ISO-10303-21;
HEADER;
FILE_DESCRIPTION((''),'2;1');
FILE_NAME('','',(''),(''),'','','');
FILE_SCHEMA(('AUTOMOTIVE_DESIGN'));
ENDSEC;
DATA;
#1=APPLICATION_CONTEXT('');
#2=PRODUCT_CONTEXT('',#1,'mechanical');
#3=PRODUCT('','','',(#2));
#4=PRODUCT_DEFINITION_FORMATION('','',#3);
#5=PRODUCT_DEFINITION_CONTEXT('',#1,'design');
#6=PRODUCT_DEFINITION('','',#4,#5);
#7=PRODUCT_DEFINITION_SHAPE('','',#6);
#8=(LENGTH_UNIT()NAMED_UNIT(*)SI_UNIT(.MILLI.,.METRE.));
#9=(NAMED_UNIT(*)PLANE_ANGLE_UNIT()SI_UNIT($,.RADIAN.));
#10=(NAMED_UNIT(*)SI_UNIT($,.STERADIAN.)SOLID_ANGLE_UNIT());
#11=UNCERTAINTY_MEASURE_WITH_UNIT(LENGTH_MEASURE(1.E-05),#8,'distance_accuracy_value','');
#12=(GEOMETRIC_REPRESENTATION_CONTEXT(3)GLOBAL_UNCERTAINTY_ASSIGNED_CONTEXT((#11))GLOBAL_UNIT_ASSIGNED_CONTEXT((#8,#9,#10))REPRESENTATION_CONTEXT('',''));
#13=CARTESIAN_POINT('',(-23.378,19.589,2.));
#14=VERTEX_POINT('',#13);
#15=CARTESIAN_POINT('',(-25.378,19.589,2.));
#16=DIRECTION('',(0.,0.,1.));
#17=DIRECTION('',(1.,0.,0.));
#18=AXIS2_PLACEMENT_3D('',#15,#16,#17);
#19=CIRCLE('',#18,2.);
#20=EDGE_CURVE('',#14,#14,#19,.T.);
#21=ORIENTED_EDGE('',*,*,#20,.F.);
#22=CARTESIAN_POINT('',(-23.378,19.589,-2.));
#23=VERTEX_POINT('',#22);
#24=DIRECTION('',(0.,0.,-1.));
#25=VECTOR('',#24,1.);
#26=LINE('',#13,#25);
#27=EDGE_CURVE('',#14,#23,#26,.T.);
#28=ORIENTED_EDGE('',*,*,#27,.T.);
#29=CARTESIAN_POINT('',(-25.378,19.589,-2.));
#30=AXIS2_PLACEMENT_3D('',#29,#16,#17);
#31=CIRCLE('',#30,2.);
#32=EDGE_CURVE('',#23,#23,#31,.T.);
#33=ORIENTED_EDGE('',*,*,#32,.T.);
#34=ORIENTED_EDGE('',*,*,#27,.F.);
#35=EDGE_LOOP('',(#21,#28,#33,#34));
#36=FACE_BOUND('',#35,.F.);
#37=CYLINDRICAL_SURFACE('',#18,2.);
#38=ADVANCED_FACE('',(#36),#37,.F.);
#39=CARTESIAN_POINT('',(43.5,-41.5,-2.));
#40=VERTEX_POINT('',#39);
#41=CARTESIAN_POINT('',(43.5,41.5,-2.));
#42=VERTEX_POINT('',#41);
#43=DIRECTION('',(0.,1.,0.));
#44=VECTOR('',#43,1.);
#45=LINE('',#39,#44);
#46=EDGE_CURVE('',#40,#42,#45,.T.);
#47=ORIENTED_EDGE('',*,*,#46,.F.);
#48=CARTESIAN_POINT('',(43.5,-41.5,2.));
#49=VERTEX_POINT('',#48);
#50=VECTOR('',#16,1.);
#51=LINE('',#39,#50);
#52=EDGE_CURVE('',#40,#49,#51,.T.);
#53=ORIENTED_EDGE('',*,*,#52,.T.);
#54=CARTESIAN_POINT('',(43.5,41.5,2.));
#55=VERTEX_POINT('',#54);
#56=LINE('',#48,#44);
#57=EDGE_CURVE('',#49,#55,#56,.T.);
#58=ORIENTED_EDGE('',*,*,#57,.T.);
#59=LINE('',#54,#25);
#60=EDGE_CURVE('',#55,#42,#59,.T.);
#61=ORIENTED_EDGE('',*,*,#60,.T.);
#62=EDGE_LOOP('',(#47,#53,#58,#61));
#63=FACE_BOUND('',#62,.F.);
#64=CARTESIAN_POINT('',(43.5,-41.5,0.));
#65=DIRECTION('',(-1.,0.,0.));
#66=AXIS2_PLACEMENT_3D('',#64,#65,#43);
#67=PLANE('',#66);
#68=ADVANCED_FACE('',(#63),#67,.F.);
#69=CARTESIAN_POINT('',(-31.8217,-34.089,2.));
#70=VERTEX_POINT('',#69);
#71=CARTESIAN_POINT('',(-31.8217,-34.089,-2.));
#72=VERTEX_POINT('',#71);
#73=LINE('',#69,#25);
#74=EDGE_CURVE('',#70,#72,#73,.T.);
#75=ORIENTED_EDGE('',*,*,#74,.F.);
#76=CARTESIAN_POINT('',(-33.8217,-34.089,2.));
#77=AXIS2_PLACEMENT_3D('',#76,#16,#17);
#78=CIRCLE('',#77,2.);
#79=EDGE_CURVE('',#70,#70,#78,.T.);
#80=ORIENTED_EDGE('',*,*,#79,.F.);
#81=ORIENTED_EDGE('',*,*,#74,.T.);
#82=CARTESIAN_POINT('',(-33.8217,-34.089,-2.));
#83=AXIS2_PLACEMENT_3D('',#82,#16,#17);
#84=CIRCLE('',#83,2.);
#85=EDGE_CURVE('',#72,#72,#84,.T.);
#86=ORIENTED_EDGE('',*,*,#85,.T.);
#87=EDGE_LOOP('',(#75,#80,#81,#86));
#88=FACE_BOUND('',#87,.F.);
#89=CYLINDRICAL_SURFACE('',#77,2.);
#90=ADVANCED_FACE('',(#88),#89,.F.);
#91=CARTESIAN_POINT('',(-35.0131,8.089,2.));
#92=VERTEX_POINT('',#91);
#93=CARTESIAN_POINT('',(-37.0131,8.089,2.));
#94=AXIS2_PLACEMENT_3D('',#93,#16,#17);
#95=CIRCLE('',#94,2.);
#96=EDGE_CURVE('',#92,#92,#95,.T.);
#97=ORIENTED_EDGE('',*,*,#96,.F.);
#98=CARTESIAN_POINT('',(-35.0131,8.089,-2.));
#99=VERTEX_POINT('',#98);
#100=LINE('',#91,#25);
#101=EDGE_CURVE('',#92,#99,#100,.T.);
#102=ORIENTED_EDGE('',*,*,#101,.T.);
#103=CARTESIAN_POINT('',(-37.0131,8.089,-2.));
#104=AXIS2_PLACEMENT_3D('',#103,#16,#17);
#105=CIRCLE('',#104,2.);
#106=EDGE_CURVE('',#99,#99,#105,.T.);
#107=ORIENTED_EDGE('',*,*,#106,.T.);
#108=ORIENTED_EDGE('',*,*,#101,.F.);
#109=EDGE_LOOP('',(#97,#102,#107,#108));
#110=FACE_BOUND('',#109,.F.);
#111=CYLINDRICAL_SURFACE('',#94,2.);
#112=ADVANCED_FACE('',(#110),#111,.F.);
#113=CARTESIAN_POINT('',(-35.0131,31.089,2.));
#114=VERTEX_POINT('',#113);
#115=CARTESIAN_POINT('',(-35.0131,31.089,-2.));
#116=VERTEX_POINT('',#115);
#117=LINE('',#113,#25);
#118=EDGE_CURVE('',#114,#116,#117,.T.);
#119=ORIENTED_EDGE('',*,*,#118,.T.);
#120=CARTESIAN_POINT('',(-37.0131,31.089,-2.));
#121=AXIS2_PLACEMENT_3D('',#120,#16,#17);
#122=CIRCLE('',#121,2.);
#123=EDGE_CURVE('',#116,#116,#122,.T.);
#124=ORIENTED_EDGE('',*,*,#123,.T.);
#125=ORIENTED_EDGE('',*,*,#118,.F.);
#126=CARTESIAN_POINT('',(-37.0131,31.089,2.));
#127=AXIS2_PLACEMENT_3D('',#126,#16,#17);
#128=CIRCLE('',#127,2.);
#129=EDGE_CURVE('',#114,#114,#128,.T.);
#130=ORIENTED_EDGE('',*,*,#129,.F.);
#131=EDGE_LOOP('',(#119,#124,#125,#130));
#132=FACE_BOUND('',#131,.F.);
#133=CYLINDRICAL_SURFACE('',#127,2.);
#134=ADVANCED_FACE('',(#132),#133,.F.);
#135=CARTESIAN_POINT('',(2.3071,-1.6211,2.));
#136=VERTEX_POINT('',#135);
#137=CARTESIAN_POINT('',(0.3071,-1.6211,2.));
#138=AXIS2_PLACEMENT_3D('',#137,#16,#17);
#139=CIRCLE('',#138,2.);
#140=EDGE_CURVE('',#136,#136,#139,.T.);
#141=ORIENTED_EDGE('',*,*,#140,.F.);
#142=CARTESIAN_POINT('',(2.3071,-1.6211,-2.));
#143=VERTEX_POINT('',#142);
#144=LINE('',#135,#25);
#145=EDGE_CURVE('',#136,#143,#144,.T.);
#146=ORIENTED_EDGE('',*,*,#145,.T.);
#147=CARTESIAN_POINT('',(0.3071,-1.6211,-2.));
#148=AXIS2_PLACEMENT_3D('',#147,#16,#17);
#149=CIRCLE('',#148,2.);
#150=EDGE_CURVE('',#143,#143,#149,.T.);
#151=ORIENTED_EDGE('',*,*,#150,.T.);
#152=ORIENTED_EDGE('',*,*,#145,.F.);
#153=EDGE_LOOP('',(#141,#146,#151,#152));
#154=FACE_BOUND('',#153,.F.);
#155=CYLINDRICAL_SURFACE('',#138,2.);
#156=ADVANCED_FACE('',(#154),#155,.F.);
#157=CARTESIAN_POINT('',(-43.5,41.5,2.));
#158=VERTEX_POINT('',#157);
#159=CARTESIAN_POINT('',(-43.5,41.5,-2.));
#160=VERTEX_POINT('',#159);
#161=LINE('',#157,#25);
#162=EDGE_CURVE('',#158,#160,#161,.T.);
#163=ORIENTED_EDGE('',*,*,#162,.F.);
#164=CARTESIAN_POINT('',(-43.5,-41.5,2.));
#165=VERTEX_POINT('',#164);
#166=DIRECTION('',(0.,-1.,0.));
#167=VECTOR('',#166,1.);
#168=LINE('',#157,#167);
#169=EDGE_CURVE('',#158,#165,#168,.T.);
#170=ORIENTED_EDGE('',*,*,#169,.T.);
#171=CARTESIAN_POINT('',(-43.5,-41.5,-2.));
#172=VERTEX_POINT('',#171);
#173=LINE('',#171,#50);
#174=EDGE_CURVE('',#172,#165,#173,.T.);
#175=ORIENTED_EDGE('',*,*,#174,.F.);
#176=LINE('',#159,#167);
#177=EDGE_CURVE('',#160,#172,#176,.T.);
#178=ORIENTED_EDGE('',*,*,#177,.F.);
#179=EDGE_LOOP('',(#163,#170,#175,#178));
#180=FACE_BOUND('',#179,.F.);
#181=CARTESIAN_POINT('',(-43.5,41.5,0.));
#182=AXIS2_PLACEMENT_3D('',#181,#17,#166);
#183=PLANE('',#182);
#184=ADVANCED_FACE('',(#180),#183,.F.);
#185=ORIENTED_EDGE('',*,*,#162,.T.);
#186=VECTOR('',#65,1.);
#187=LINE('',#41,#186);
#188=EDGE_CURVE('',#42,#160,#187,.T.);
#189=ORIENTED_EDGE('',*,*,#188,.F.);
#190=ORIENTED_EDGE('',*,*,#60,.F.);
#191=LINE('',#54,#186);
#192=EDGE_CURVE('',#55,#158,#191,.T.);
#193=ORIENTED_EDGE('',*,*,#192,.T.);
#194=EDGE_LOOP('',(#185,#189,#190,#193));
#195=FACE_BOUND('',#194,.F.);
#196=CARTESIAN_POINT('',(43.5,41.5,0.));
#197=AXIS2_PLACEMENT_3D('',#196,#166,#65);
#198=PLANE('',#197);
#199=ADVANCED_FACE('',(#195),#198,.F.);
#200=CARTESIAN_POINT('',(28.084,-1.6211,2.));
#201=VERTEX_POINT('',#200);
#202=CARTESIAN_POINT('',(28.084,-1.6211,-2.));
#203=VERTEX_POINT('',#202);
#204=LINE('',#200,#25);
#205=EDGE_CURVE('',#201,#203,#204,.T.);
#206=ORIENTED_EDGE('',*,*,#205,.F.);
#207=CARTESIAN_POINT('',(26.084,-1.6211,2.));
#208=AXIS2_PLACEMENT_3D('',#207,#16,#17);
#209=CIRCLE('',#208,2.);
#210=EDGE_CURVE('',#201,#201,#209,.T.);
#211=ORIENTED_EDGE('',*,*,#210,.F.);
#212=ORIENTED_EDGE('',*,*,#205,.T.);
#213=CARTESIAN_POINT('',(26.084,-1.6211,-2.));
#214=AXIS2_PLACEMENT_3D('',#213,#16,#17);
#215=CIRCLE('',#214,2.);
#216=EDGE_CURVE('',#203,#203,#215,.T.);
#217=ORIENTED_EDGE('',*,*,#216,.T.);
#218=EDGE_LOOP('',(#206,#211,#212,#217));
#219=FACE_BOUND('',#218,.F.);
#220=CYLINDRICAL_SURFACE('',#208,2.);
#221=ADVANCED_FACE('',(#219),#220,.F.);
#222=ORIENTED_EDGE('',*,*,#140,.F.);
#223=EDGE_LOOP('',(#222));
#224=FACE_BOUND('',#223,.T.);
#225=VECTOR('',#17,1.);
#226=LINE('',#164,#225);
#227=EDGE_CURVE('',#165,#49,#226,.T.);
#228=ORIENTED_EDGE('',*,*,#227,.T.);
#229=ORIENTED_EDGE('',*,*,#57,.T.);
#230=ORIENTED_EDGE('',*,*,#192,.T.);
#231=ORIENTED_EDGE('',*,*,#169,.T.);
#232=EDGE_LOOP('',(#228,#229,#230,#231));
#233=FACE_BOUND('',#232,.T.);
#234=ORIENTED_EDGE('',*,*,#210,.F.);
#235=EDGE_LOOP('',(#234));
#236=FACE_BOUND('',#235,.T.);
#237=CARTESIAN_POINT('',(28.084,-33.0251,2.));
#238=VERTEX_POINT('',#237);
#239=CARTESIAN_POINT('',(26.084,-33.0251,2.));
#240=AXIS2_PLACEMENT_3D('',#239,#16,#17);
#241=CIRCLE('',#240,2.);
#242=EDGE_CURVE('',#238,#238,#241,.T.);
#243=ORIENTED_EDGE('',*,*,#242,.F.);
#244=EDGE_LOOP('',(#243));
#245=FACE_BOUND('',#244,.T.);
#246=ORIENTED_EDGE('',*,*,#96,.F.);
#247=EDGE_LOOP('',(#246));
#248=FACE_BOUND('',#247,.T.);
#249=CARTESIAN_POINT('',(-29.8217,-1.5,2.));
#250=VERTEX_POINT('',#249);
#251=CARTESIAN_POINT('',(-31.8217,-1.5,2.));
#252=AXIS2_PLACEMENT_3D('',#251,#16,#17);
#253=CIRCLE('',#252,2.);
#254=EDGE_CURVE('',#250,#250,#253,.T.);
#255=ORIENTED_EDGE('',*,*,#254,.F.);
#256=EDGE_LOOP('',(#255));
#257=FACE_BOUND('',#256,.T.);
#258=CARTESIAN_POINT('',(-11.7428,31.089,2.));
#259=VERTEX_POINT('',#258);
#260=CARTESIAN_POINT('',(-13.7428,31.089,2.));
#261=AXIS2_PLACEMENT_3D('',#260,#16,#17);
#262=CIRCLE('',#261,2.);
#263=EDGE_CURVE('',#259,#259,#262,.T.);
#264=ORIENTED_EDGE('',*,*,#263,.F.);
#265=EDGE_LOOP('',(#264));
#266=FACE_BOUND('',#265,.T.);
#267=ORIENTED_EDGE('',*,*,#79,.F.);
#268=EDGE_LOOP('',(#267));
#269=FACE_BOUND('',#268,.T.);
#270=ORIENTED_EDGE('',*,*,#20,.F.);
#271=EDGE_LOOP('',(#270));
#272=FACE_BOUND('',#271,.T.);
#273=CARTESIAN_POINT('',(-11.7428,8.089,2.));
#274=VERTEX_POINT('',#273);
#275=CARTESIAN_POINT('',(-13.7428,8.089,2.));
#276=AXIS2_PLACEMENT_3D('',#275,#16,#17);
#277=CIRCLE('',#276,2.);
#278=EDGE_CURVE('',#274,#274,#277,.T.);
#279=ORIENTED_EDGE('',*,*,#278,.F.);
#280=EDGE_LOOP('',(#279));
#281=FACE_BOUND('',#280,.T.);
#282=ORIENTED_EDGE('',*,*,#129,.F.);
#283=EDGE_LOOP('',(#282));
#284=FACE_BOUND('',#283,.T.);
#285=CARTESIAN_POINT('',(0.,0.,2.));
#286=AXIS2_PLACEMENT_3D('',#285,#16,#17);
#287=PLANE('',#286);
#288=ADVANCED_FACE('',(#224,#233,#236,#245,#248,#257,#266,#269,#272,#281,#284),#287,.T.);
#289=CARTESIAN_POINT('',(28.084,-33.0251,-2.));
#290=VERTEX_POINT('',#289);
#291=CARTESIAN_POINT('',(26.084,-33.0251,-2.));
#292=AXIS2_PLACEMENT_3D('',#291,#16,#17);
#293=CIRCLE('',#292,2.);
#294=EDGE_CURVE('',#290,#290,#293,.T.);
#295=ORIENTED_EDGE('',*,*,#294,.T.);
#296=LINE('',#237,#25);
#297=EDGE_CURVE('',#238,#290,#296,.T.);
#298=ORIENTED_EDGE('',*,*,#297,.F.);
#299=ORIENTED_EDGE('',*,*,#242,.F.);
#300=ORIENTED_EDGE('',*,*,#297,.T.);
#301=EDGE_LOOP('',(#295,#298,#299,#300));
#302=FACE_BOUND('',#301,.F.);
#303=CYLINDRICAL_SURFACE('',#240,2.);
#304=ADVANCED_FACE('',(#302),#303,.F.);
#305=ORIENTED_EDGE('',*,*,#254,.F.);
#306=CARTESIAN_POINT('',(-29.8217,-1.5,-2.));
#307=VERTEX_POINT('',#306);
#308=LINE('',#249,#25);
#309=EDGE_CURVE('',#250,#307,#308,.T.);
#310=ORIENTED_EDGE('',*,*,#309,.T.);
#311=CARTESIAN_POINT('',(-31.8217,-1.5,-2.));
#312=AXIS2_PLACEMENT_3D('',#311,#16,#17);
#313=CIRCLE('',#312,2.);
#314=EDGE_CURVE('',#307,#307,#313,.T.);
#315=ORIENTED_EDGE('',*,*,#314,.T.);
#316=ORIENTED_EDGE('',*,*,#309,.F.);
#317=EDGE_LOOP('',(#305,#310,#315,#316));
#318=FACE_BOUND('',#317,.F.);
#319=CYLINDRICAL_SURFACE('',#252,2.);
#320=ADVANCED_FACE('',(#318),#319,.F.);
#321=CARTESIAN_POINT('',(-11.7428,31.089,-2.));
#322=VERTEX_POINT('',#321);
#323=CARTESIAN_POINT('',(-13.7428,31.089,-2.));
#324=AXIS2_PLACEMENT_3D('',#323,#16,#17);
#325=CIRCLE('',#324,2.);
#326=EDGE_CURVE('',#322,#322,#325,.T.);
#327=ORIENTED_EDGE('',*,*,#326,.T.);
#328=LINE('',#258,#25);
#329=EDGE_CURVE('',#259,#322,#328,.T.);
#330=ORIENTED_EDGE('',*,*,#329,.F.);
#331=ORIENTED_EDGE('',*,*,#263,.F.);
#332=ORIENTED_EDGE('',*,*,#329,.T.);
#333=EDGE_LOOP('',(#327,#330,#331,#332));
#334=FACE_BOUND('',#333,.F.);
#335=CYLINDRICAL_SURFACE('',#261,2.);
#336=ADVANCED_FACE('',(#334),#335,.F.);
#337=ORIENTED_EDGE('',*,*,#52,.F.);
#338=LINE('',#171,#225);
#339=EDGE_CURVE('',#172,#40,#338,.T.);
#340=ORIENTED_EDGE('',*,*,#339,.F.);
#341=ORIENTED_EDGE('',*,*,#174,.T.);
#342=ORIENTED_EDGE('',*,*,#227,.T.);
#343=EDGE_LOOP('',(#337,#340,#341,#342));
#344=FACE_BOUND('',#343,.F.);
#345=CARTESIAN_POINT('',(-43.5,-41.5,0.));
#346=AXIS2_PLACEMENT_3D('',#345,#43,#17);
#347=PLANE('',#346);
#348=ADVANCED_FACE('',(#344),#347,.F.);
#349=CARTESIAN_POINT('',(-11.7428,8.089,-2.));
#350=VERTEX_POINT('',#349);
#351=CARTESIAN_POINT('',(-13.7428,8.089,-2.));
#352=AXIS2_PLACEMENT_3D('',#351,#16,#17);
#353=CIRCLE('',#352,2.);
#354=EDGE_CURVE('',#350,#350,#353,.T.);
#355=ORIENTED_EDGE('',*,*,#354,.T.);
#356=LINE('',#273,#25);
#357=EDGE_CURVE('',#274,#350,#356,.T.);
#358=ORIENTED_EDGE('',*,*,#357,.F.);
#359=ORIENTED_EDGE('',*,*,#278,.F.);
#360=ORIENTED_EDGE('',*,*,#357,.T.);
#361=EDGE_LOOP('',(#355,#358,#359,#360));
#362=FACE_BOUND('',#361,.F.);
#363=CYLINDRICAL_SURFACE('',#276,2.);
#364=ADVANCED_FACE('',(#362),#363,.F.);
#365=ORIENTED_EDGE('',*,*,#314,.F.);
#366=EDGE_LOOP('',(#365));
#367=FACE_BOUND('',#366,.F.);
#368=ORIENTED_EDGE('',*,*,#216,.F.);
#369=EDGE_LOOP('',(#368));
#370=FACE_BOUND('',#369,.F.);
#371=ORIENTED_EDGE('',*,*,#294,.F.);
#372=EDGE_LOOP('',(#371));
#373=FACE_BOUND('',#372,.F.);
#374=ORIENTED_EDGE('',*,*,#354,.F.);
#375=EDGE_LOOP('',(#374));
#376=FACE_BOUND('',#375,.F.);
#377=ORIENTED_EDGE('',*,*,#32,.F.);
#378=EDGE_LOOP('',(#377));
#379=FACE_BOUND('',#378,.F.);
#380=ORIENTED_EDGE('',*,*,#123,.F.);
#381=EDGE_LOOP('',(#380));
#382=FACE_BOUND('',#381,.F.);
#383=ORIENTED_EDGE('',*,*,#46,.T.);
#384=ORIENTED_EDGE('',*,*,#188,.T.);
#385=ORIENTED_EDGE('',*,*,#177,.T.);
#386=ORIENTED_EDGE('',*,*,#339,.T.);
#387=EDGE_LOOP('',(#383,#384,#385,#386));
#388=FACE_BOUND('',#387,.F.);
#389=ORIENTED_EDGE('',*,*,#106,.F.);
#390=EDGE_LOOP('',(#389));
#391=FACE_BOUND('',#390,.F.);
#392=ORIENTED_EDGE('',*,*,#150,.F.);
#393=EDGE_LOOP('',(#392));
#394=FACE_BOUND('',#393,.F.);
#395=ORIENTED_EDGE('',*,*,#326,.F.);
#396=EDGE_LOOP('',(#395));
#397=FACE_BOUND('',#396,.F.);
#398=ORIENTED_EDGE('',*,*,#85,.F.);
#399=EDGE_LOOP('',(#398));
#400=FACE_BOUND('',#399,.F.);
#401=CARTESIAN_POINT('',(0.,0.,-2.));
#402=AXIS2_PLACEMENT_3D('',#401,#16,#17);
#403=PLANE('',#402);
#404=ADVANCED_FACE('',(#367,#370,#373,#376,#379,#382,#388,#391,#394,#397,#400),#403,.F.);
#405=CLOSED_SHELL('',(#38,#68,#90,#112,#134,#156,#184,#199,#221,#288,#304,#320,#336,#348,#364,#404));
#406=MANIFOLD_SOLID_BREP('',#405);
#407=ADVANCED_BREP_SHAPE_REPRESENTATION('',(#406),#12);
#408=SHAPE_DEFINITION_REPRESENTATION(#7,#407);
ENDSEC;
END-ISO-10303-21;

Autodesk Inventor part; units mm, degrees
sketch "Эскиз1" plane through (0, 0, 0) normal (0, 0, 1) x (1, 0, 0)
  line L0 (-43.5, -41.5) -> (43.5, -41.5)
  line L1 (43.5, -41.5) -> (43.5, 41.5)
  line L2 (43.5, 41.5) -> (-43.5, 41.5)
  line L3 (-43.5, 41.5) -> (-43.5, -41.5)
  line L4 (-43.5, -41.5) -> (43.5, 41.5) construction
  line L5 (43.5, -41.5) -> (-43.5, 41.5) construction
  point P0 (0, 0)
  dimension "d0" = 87
  dimension "d1" = 83
extrude "Выдавливание1" add sketch "Эскиз1" along normal mid plane 4
sketch "Эскиз2" plane through (0, 0, 2) normal (0, 0, 1) x (1, 0, 0)
  circle A0 centre (-33.8217, -34.089) radius 2
  circle A1 centre (-31.8217, -1.5) radius 2
  circle A2 centre (-37.0131, 8.089) radius 2
  circle A3 centre (-13.7428, 8.089) radius 2
  circle A4 centre (0.3071, -1.6211) radius 2
  circle A5 centre (-25.378, 19.589) radius 2
  circle A6 centre (-37.0131, 31.089) radius 2
  circle A7 centre (-13.7428, 31.089) radius 2
  circle A8 centre (26.084, -1.6211) radius 2
  circle A9 centre (26.084, -33.0251) radius 2
  point P0 (0, 0)
extrude "Выдавливание2" cut sketch "Эскиз2" against normal up to surface (4 mm away)
properties part number "Крыло(подвижная часть)"
